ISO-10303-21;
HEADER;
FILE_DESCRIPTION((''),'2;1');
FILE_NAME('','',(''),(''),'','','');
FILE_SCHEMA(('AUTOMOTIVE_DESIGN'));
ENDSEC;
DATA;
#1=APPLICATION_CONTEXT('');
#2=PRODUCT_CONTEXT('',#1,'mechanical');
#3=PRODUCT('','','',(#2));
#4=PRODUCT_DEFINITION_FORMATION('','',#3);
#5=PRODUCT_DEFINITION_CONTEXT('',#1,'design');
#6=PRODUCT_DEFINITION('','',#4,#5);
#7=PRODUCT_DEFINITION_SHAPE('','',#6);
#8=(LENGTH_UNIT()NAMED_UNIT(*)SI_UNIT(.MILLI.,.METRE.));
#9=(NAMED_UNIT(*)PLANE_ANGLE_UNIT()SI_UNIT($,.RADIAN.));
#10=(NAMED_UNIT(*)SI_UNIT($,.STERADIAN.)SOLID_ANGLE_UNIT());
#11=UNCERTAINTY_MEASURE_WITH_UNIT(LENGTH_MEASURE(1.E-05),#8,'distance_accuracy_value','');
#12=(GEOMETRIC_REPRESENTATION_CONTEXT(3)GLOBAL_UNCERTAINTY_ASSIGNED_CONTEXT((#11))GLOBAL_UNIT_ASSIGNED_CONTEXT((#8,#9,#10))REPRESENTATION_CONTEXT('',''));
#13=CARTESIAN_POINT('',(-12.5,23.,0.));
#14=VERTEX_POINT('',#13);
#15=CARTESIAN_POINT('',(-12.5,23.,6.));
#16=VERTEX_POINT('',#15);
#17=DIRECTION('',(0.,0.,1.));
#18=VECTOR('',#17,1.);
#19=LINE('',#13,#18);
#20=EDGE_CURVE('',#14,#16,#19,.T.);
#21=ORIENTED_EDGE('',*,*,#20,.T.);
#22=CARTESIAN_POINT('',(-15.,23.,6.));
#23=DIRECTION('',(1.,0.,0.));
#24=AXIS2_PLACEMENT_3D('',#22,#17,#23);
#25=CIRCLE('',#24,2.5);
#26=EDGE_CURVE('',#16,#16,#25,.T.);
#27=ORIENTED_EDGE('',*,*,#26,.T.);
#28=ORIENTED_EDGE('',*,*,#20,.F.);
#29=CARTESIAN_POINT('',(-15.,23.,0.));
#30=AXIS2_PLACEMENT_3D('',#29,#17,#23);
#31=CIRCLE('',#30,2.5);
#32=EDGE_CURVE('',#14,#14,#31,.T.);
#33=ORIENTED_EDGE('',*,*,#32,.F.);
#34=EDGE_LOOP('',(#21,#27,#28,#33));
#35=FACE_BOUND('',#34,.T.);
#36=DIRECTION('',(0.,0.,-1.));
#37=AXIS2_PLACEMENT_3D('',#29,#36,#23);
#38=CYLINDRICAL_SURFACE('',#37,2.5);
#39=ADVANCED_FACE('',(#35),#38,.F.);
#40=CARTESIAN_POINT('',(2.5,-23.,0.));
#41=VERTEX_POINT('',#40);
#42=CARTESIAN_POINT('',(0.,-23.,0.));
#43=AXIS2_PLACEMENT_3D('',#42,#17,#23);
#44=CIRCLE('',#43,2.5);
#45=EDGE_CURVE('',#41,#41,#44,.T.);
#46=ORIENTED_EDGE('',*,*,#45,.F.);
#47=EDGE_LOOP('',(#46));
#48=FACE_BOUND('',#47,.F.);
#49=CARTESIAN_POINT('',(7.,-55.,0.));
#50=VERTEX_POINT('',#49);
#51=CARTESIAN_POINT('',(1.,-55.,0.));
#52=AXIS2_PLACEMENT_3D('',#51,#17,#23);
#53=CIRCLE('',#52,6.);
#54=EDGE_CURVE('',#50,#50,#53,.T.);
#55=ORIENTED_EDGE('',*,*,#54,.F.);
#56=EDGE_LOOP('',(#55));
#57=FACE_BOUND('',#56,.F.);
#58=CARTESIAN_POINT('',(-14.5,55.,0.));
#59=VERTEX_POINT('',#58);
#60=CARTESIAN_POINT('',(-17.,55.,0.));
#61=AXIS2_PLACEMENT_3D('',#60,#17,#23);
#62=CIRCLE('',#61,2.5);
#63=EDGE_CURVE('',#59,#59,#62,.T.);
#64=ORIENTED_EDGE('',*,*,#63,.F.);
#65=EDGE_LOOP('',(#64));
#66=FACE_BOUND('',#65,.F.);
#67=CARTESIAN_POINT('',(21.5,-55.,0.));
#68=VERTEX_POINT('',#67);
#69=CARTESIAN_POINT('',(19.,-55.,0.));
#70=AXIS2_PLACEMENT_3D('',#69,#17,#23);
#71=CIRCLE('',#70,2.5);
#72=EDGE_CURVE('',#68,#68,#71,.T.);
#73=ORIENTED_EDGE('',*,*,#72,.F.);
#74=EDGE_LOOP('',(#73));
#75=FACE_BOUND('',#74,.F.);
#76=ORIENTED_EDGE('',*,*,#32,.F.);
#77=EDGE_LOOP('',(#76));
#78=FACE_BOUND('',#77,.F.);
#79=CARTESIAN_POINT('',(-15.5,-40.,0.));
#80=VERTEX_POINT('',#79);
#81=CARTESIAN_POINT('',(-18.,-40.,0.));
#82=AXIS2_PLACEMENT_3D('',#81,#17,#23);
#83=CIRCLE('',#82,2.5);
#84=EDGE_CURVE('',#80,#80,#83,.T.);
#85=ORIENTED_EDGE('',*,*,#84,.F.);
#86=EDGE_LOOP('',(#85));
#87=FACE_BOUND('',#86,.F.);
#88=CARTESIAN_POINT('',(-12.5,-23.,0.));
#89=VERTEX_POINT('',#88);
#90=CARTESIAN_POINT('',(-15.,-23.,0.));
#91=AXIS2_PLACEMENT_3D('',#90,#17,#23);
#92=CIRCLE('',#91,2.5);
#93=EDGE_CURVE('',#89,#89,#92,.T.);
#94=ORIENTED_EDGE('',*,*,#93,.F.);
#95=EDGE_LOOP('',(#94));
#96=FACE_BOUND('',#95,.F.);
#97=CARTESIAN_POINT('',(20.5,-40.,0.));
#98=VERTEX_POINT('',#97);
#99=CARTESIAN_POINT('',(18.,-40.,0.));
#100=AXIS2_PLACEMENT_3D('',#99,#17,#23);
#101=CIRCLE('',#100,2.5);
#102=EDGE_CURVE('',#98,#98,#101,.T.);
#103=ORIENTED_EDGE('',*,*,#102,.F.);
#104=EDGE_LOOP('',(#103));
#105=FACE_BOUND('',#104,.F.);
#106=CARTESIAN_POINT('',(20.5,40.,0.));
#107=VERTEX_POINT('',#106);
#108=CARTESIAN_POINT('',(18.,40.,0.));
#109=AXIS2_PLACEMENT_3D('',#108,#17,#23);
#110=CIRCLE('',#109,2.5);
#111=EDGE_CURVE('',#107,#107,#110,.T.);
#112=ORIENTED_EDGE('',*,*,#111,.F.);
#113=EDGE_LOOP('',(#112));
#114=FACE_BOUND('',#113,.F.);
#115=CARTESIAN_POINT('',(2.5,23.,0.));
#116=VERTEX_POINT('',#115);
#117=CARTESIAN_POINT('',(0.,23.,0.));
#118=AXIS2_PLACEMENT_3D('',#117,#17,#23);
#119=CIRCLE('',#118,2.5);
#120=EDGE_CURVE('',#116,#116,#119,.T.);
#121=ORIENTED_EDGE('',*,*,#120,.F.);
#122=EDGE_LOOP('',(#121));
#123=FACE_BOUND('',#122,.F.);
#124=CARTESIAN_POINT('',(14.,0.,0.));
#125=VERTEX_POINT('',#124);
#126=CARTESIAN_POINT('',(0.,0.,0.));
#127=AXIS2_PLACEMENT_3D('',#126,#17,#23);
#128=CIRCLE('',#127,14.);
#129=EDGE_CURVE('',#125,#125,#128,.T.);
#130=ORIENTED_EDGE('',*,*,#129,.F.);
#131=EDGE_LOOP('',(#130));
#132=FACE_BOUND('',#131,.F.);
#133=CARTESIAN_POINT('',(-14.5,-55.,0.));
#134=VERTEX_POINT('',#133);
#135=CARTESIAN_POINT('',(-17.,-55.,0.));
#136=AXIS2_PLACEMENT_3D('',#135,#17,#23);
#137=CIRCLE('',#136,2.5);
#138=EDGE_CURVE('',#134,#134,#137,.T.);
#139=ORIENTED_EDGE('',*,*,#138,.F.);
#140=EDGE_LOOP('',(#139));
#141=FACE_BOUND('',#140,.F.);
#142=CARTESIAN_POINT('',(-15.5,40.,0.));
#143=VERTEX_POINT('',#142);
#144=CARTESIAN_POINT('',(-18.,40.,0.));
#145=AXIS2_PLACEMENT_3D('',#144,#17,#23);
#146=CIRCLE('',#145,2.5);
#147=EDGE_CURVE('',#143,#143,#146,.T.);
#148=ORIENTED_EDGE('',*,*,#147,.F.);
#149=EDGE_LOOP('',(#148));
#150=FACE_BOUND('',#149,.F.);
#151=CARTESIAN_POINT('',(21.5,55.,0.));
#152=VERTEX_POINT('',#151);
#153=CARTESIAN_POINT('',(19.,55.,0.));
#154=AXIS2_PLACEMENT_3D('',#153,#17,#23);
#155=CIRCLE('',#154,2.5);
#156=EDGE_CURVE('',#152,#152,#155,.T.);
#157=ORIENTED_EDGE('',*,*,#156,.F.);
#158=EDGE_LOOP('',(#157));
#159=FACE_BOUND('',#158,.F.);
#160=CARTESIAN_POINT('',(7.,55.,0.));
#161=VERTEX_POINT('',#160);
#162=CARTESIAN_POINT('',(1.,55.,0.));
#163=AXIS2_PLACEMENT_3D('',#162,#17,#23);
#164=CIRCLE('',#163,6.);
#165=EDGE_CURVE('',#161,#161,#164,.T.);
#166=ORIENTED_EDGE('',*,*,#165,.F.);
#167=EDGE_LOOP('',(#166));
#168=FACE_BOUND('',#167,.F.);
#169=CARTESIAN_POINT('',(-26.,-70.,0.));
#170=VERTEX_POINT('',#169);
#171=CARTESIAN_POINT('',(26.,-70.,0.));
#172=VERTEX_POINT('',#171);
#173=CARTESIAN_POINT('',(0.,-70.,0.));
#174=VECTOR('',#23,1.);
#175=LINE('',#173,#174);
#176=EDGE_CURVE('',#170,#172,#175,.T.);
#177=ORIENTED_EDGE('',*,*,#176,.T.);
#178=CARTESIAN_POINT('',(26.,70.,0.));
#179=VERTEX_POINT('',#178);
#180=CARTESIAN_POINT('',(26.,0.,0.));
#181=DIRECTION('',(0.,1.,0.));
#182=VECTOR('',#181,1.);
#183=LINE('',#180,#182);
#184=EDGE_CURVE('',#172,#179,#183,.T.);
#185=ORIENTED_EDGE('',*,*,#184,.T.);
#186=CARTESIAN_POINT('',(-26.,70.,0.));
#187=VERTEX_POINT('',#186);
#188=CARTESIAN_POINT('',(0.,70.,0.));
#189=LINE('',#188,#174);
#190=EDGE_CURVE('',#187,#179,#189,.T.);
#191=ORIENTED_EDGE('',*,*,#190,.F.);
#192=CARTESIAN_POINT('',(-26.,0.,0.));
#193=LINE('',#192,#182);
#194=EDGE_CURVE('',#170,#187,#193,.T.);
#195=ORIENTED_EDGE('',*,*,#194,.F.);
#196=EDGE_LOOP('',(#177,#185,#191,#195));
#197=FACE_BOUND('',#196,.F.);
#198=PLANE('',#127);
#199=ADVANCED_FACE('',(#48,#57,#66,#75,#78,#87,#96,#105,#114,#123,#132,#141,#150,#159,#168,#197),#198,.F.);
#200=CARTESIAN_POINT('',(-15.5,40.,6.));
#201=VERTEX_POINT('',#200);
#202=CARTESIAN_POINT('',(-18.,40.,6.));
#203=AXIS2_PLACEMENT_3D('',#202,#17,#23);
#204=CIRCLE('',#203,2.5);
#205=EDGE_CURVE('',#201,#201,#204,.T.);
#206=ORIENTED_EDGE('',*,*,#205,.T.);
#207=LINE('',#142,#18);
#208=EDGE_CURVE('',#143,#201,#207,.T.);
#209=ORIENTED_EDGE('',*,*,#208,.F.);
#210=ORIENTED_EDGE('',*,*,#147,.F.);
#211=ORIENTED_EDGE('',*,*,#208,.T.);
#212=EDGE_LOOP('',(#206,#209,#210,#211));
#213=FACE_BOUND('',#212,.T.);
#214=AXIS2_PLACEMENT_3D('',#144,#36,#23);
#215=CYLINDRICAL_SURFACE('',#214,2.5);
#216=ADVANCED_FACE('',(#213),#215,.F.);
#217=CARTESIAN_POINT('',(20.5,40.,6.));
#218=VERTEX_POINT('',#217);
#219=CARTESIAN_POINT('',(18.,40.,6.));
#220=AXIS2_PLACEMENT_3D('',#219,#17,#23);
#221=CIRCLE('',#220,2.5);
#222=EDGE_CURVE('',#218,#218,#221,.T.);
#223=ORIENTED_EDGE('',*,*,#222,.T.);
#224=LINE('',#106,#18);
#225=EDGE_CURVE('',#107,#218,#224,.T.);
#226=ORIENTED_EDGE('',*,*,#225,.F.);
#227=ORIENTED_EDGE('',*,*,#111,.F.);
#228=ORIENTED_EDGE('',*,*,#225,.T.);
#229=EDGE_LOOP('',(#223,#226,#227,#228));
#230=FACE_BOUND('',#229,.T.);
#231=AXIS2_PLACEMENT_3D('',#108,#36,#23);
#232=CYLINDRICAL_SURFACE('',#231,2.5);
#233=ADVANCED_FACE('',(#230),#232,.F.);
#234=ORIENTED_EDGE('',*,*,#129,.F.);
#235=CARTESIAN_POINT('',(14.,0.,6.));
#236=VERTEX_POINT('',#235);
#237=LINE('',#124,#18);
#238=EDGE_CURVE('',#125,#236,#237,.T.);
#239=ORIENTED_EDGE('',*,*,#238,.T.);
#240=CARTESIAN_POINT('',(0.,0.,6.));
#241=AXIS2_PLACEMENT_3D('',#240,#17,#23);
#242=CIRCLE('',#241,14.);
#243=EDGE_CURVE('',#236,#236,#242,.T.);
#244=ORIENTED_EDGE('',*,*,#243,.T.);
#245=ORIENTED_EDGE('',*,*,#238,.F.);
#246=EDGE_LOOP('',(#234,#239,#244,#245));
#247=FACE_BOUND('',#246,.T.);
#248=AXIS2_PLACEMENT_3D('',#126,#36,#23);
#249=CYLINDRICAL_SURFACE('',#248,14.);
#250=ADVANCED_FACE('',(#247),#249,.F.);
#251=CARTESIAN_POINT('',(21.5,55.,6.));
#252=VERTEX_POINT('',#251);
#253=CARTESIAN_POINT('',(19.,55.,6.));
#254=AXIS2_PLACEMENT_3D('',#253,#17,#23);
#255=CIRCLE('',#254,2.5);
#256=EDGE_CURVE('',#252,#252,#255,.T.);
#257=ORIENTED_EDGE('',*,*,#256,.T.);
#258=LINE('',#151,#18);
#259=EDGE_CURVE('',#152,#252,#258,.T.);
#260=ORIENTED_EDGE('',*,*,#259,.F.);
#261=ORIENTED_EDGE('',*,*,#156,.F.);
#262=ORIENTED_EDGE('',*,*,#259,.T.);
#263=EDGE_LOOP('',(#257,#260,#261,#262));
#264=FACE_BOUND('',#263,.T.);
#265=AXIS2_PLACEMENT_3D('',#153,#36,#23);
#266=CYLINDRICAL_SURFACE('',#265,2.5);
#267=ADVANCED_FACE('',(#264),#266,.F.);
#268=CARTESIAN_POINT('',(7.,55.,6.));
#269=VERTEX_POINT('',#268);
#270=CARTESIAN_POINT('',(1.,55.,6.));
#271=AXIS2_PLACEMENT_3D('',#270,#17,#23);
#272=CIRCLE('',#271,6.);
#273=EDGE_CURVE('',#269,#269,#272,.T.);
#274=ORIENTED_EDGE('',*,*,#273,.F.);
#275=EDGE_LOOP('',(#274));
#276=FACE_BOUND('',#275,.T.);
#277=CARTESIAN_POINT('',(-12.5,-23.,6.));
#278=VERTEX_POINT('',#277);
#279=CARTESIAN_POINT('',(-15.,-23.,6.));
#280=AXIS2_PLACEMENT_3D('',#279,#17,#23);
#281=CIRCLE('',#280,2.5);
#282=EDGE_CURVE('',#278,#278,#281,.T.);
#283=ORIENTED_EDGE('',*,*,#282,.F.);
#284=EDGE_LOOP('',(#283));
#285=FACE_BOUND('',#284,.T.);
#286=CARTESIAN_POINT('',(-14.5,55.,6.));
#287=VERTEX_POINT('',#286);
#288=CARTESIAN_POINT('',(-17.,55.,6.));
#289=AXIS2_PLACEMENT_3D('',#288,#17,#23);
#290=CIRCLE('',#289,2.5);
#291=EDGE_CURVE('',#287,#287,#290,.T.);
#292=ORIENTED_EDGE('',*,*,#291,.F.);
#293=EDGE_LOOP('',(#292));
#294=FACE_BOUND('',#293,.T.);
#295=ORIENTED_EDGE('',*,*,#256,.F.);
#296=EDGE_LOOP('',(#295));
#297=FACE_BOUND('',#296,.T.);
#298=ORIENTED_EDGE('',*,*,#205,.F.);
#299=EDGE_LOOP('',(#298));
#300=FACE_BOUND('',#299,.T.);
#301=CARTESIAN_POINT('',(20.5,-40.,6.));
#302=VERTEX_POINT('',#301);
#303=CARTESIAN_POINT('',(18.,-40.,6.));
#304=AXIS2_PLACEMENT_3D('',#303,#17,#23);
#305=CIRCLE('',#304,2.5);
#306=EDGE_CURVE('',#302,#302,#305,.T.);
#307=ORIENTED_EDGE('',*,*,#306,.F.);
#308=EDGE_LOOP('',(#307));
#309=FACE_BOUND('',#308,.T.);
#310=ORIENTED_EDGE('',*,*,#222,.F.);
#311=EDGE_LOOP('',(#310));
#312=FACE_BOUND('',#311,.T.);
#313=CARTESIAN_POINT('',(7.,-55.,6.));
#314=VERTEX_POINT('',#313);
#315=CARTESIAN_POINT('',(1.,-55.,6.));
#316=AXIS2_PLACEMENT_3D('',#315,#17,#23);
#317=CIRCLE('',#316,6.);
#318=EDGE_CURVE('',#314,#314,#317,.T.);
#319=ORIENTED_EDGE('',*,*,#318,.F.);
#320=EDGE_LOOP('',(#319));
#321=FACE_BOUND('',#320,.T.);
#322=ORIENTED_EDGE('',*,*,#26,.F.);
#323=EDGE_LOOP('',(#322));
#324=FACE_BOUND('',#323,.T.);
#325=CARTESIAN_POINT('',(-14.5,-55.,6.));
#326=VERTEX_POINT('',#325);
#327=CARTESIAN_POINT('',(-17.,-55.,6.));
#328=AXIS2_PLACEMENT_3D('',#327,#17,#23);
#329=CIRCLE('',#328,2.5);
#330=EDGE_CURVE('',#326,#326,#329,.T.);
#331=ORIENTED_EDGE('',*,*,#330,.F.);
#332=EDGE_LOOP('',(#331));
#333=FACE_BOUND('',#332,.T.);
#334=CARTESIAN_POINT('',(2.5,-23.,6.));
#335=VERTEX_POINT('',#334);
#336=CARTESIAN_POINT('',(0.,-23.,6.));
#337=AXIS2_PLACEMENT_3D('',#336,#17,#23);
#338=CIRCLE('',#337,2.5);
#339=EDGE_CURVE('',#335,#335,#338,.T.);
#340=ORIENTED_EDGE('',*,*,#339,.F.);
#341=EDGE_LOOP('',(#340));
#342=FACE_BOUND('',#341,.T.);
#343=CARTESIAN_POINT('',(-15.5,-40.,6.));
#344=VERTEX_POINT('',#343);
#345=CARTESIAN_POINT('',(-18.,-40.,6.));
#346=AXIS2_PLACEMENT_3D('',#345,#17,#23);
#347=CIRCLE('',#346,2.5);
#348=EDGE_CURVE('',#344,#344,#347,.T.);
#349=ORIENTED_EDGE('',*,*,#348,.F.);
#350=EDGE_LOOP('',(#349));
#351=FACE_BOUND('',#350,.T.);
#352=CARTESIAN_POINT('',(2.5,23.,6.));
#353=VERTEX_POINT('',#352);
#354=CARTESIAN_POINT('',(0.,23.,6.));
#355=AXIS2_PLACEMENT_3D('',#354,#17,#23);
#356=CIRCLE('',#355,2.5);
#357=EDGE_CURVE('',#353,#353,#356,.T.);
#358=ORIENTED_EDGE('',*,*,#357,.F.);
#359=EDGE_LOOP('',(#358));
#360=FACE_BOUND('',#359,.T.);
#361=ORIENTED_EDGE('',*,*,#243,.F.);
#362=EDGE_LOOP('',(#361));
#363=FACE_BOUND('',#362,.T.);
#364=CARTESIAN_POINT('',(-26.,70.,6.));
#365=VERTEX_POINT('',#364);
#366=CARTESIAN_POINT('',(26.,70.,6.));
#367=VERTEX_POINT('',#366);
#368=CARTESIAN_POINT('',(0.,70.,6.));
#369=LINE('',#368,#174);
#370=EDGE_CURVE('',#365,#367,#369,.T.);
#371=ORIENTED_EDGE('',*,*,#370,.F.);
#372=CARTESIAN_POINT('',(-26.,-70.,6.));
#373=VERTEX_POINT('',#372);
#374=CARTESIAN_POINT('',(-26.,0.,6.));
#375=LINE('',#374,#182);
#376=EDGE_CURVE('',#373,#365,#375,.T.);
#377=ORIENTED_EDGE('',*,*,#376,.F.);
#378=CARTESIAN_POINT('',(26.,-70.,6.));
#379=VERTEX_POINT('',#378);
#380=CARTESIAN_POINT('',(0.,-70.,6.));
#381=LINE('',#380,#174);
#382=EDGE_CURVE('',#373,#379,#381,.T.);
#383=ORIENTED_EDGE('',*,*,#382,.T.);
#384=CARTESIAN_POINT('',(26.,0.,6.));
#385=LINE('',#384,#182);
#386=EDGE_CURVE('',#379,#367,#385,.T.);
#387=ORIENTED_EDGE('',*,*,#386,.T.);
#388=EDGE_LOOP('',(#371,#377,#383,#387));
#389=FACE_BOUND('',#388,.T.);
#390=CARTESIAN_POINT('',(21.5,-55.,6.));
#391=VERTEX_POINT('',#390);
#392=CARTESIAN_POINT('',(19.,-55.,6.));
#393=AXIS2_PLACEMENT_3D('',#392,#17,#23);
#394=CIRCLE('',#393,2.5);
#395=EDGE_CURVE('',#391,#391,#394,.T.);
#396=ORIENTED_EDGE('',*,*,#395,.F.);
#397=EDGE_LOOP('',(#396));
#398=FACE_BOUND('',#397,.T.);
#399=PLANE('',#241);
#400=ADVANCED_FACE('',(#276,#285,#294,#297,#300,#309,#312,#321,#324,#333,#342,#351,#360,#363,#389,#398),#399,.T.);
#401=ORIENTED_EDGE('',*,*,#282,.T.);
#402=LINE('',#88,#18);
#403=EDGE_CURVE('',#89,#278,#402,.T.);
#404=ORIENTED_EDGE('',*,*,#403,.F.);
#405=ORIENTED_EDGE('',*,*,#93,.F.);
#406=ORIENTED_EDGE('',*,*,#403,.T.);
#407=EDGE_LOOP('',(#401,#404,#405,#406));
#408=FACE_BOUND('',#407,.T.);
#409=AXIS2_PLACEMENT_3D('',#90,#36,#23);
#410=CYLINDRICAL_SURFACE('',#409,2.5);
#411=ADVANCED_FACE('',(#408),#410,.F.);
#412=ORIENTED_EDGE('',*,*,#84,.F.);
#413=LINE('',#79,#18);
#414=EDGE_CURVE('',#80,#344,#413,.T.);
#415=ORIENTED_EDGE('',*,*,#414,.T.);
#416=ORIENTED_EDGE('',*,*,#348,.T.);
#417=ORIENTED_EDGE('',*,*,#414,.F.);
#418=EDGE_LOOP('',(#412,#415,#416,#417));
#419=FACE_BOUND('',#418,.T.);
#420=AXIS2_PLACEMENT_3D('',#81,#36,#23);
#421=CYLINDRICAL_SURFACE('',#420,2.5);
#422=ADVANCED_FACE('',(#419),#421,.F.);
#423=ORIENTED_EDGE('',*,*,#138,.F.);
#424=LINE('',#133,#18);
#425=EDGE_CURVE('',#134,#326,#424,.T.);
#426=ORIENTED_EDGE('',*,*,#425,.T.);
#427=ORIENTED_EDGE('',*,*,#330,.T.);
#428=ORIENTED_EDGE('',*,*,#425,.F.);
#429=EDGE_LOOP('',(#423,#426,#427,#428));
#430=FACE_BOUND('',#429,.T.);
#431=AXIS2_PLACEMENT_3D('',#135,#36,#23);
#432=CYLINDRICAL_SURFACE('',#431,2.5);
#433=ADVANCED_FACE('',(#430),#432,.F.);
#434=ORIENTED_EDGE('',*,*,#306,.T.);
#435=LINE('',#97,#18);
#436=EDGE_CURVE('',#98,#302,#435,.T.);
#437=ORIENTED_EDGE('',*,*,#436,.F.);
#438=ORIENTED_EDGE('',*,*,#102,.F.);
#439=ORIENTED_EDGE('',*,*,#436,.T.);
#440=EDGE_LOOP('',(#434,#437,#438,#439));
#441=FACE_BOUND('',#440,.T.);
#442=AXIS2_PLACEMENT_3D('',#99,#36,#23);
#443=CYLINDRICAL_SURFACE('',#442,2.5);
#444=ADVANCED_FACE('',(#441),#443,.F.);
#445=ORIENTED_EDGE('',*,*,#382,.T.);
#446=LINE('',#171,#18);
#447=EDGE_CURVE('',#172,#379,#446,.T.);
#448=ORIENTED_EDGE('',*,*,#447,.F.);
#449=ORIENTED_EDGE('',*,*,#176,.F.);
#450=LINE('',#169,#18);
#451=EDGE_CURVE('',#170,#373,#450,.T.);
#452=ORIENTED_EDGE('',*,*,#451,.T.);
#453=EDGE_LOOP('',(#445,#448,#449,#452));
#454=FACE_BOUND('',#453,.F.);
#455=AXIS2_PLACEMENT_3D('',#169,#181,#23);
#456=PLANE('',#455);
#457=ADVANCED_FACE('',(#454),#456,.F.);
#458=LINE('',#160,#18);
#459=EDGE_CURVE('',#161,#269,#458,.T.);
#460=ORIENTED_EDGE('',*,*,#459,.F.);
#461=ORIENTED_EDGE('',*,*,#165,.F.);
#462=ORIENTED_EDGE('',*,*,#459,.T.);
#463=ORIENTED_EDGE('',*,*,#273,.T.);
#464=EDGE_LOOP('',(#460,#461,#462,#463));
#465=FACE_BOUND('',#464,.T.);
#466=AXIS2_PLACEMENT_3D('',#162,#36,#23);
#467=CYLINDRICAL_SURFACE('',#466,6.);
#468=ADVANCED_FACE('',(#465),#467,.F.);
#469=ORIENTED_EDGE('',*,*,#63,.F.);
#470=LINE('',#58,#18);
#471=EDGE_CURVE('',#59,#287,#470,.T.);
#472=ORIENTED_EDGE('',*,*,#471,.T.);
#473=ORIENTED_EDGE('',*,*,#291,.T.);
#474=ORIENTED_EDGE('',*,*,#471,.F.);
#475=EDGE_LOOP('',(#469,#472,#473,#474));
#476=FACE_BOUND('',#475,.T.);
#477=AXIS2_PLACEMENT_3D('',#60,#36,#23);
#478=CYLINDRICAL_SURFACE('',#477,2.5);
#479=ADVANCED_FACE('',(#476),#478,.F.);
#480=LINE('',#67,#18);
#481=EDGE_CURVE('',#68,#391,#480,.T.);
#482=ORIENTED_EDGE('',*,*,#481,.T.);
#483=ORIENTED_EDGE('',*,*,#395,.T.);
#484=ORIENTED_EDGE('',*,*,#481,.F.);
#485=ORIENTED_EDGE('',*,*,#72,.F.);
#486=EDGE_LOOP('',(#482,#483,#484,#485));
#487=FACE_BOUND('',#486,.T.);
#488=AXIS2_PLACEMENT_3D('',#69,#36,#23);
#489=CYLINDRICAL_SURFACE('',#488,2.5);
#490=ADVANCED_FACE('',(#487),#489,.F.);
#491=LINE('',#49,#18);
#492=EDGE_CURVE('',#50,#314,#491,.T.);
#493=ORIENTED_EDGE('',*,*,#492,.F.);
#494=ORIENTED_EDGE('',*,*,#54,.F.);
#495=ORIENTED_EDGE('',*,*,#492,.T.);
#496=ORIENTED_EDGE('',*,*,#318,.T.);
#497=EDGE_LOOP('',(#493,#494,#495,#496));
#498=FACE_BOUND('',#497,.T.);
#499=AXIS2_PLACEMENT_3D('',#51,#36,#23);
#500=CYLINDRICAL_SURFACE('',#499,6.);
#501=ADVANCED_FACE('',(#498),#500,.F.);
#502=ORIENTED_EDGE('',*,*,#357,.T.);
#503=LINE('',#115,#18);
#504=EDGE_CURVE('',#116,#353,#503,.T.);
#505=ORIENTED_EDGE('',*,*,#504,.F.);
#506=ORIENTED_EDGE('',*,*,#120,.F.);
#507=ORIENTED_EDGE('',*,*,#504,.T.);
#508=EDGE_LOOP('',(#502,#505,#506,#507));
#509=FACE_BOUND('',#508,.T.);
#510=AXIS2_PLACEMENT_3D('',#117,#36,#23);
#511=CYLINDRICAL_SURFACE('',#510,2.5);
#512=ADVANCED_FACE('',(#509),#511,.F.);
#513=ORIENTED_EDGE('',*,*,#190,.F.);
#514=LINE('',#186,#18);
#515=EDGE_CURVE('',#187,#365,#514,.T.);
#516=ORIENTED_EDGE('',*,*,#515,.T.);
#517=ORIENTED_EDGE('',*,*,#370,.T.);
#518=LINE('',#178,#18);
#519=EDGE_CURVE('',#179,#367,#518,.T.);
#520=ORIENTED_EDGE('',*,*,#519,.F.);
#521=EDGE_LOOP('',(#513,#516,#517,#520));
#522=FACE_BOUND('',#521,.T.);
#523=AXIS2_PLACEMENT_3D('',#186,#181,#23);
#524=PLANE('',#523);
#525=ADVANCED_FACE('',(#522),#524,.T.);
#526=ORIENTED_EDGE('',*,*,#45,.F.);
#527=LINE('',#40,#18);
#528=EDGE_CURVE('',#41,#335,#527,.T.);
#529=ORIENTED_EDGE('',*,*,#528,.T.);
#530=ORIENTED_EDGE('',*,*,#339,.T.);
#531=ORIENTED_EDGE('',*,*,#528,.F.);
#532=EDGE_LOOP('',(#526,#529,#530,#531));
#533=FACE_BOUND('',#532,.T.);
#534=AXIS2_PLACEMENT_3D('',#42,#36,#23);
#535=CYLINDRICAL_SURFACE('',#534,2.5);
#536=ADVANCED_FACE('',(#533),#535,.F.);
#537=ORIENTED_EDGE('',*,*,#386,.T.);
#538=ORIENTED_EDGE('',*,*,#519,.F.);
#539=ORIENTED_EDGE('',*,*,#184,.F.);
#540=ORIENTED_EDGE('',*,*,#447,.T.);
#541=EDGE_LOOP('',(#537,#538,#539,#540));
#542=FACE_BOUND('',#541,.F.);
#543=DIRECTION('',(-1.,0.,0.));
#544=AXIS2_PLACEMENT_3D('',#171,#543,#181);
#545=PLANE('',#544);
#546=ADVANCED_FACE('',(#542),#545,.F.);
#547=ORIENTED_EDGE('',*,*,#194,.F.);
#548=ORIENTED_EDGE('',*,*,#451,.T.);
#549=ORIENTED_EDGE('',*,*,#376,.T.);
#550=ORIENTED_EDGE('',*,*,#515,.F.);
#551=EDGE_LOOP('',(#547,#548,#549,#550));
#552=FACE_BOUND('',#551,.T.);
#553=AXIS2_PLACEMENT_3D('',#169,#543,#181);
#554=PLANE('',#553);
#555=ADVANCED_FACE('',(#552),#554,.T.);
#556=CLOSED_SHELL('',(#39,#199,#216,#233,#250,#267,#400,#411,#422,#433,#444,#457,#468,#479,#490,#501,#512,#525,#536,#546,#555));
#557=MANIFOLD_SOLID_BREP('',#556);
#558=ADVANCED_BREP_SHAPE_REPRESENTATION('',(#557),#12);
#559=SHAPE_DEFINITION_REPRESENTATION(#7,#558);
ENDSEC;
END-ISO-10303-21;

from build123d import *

# Parameters (mm, degrees)
SKETCH_W   = 52
SKETCH_H   = 140
SKETCH_R   = 14
SKETCH_R_2 = 2.5
SKETCH_R_3 = 6
PAD_DEPTH  = 6


with BuildPart() as part:
    # Sketch → Pad (new body)
    with BuildSketch(Plane.XY):
        Rectangle(SKETCH_W, SKETCH_H)
        Circle(SKETCH_R, mode=Mode.SUBTRACT)
        with Locations((-15, 23)):
            Circle(SKETCH_R_2, mode=Mode.SUBTRACT)
        with Locations((0, 23)):
            Circle(SKETCH_R_2, mode=Mode.SUBTRACT)
        with Locations((-15, -23)):
            Circle(SKETCH_R_2, mode=Mode.SUBTRACT)
        with Locations((0, -23)):
            Circle(SKETCH_R_2, mode=Mode.SUBTRACT)
        with Locations((-18, 40)):
            Circle(SKETCH_R_2, mode=Mode.SUBTRACT)
        with Locations((18, 40)):
            Circle(SKETCH_R_2, mode=Mode.SUBTRACT)
        with Locations((18, -40)):
            Circle(SKETCH_R_2, mode=Mode.SUBTRACT)
        with Locations((-18, -40)):
            Circle(SKETCH_R_2, mode=Mode.SUBTRACT)
        with Locations((1, 55)):
            Circle(SKETCH_R_3, mode=Mode.SUBTRACT)
        with Locations((1, -55)):
            Circle(SKETCH_R_3, mode=Mode.SUBTRACT)
        with Locations((-17, 55)):
            Circle(SKETCH_R_2, mode=Mode.SUBTRACT)
        with Locations((19, 55)):
            Circle(SKETCH_R_2, mode=Mode.SUBTRACT)
        with Locations((-17, -55)):
            Circle(SKETCH_R_2, mode=Mode.SUBTRACT)
        with Locations((19, -55)):
            Circle(SKETCH_R_2, mode=Mode.SUBTRACT)
    extrude(amount=PAD_DEPTH)


solid = part.part
